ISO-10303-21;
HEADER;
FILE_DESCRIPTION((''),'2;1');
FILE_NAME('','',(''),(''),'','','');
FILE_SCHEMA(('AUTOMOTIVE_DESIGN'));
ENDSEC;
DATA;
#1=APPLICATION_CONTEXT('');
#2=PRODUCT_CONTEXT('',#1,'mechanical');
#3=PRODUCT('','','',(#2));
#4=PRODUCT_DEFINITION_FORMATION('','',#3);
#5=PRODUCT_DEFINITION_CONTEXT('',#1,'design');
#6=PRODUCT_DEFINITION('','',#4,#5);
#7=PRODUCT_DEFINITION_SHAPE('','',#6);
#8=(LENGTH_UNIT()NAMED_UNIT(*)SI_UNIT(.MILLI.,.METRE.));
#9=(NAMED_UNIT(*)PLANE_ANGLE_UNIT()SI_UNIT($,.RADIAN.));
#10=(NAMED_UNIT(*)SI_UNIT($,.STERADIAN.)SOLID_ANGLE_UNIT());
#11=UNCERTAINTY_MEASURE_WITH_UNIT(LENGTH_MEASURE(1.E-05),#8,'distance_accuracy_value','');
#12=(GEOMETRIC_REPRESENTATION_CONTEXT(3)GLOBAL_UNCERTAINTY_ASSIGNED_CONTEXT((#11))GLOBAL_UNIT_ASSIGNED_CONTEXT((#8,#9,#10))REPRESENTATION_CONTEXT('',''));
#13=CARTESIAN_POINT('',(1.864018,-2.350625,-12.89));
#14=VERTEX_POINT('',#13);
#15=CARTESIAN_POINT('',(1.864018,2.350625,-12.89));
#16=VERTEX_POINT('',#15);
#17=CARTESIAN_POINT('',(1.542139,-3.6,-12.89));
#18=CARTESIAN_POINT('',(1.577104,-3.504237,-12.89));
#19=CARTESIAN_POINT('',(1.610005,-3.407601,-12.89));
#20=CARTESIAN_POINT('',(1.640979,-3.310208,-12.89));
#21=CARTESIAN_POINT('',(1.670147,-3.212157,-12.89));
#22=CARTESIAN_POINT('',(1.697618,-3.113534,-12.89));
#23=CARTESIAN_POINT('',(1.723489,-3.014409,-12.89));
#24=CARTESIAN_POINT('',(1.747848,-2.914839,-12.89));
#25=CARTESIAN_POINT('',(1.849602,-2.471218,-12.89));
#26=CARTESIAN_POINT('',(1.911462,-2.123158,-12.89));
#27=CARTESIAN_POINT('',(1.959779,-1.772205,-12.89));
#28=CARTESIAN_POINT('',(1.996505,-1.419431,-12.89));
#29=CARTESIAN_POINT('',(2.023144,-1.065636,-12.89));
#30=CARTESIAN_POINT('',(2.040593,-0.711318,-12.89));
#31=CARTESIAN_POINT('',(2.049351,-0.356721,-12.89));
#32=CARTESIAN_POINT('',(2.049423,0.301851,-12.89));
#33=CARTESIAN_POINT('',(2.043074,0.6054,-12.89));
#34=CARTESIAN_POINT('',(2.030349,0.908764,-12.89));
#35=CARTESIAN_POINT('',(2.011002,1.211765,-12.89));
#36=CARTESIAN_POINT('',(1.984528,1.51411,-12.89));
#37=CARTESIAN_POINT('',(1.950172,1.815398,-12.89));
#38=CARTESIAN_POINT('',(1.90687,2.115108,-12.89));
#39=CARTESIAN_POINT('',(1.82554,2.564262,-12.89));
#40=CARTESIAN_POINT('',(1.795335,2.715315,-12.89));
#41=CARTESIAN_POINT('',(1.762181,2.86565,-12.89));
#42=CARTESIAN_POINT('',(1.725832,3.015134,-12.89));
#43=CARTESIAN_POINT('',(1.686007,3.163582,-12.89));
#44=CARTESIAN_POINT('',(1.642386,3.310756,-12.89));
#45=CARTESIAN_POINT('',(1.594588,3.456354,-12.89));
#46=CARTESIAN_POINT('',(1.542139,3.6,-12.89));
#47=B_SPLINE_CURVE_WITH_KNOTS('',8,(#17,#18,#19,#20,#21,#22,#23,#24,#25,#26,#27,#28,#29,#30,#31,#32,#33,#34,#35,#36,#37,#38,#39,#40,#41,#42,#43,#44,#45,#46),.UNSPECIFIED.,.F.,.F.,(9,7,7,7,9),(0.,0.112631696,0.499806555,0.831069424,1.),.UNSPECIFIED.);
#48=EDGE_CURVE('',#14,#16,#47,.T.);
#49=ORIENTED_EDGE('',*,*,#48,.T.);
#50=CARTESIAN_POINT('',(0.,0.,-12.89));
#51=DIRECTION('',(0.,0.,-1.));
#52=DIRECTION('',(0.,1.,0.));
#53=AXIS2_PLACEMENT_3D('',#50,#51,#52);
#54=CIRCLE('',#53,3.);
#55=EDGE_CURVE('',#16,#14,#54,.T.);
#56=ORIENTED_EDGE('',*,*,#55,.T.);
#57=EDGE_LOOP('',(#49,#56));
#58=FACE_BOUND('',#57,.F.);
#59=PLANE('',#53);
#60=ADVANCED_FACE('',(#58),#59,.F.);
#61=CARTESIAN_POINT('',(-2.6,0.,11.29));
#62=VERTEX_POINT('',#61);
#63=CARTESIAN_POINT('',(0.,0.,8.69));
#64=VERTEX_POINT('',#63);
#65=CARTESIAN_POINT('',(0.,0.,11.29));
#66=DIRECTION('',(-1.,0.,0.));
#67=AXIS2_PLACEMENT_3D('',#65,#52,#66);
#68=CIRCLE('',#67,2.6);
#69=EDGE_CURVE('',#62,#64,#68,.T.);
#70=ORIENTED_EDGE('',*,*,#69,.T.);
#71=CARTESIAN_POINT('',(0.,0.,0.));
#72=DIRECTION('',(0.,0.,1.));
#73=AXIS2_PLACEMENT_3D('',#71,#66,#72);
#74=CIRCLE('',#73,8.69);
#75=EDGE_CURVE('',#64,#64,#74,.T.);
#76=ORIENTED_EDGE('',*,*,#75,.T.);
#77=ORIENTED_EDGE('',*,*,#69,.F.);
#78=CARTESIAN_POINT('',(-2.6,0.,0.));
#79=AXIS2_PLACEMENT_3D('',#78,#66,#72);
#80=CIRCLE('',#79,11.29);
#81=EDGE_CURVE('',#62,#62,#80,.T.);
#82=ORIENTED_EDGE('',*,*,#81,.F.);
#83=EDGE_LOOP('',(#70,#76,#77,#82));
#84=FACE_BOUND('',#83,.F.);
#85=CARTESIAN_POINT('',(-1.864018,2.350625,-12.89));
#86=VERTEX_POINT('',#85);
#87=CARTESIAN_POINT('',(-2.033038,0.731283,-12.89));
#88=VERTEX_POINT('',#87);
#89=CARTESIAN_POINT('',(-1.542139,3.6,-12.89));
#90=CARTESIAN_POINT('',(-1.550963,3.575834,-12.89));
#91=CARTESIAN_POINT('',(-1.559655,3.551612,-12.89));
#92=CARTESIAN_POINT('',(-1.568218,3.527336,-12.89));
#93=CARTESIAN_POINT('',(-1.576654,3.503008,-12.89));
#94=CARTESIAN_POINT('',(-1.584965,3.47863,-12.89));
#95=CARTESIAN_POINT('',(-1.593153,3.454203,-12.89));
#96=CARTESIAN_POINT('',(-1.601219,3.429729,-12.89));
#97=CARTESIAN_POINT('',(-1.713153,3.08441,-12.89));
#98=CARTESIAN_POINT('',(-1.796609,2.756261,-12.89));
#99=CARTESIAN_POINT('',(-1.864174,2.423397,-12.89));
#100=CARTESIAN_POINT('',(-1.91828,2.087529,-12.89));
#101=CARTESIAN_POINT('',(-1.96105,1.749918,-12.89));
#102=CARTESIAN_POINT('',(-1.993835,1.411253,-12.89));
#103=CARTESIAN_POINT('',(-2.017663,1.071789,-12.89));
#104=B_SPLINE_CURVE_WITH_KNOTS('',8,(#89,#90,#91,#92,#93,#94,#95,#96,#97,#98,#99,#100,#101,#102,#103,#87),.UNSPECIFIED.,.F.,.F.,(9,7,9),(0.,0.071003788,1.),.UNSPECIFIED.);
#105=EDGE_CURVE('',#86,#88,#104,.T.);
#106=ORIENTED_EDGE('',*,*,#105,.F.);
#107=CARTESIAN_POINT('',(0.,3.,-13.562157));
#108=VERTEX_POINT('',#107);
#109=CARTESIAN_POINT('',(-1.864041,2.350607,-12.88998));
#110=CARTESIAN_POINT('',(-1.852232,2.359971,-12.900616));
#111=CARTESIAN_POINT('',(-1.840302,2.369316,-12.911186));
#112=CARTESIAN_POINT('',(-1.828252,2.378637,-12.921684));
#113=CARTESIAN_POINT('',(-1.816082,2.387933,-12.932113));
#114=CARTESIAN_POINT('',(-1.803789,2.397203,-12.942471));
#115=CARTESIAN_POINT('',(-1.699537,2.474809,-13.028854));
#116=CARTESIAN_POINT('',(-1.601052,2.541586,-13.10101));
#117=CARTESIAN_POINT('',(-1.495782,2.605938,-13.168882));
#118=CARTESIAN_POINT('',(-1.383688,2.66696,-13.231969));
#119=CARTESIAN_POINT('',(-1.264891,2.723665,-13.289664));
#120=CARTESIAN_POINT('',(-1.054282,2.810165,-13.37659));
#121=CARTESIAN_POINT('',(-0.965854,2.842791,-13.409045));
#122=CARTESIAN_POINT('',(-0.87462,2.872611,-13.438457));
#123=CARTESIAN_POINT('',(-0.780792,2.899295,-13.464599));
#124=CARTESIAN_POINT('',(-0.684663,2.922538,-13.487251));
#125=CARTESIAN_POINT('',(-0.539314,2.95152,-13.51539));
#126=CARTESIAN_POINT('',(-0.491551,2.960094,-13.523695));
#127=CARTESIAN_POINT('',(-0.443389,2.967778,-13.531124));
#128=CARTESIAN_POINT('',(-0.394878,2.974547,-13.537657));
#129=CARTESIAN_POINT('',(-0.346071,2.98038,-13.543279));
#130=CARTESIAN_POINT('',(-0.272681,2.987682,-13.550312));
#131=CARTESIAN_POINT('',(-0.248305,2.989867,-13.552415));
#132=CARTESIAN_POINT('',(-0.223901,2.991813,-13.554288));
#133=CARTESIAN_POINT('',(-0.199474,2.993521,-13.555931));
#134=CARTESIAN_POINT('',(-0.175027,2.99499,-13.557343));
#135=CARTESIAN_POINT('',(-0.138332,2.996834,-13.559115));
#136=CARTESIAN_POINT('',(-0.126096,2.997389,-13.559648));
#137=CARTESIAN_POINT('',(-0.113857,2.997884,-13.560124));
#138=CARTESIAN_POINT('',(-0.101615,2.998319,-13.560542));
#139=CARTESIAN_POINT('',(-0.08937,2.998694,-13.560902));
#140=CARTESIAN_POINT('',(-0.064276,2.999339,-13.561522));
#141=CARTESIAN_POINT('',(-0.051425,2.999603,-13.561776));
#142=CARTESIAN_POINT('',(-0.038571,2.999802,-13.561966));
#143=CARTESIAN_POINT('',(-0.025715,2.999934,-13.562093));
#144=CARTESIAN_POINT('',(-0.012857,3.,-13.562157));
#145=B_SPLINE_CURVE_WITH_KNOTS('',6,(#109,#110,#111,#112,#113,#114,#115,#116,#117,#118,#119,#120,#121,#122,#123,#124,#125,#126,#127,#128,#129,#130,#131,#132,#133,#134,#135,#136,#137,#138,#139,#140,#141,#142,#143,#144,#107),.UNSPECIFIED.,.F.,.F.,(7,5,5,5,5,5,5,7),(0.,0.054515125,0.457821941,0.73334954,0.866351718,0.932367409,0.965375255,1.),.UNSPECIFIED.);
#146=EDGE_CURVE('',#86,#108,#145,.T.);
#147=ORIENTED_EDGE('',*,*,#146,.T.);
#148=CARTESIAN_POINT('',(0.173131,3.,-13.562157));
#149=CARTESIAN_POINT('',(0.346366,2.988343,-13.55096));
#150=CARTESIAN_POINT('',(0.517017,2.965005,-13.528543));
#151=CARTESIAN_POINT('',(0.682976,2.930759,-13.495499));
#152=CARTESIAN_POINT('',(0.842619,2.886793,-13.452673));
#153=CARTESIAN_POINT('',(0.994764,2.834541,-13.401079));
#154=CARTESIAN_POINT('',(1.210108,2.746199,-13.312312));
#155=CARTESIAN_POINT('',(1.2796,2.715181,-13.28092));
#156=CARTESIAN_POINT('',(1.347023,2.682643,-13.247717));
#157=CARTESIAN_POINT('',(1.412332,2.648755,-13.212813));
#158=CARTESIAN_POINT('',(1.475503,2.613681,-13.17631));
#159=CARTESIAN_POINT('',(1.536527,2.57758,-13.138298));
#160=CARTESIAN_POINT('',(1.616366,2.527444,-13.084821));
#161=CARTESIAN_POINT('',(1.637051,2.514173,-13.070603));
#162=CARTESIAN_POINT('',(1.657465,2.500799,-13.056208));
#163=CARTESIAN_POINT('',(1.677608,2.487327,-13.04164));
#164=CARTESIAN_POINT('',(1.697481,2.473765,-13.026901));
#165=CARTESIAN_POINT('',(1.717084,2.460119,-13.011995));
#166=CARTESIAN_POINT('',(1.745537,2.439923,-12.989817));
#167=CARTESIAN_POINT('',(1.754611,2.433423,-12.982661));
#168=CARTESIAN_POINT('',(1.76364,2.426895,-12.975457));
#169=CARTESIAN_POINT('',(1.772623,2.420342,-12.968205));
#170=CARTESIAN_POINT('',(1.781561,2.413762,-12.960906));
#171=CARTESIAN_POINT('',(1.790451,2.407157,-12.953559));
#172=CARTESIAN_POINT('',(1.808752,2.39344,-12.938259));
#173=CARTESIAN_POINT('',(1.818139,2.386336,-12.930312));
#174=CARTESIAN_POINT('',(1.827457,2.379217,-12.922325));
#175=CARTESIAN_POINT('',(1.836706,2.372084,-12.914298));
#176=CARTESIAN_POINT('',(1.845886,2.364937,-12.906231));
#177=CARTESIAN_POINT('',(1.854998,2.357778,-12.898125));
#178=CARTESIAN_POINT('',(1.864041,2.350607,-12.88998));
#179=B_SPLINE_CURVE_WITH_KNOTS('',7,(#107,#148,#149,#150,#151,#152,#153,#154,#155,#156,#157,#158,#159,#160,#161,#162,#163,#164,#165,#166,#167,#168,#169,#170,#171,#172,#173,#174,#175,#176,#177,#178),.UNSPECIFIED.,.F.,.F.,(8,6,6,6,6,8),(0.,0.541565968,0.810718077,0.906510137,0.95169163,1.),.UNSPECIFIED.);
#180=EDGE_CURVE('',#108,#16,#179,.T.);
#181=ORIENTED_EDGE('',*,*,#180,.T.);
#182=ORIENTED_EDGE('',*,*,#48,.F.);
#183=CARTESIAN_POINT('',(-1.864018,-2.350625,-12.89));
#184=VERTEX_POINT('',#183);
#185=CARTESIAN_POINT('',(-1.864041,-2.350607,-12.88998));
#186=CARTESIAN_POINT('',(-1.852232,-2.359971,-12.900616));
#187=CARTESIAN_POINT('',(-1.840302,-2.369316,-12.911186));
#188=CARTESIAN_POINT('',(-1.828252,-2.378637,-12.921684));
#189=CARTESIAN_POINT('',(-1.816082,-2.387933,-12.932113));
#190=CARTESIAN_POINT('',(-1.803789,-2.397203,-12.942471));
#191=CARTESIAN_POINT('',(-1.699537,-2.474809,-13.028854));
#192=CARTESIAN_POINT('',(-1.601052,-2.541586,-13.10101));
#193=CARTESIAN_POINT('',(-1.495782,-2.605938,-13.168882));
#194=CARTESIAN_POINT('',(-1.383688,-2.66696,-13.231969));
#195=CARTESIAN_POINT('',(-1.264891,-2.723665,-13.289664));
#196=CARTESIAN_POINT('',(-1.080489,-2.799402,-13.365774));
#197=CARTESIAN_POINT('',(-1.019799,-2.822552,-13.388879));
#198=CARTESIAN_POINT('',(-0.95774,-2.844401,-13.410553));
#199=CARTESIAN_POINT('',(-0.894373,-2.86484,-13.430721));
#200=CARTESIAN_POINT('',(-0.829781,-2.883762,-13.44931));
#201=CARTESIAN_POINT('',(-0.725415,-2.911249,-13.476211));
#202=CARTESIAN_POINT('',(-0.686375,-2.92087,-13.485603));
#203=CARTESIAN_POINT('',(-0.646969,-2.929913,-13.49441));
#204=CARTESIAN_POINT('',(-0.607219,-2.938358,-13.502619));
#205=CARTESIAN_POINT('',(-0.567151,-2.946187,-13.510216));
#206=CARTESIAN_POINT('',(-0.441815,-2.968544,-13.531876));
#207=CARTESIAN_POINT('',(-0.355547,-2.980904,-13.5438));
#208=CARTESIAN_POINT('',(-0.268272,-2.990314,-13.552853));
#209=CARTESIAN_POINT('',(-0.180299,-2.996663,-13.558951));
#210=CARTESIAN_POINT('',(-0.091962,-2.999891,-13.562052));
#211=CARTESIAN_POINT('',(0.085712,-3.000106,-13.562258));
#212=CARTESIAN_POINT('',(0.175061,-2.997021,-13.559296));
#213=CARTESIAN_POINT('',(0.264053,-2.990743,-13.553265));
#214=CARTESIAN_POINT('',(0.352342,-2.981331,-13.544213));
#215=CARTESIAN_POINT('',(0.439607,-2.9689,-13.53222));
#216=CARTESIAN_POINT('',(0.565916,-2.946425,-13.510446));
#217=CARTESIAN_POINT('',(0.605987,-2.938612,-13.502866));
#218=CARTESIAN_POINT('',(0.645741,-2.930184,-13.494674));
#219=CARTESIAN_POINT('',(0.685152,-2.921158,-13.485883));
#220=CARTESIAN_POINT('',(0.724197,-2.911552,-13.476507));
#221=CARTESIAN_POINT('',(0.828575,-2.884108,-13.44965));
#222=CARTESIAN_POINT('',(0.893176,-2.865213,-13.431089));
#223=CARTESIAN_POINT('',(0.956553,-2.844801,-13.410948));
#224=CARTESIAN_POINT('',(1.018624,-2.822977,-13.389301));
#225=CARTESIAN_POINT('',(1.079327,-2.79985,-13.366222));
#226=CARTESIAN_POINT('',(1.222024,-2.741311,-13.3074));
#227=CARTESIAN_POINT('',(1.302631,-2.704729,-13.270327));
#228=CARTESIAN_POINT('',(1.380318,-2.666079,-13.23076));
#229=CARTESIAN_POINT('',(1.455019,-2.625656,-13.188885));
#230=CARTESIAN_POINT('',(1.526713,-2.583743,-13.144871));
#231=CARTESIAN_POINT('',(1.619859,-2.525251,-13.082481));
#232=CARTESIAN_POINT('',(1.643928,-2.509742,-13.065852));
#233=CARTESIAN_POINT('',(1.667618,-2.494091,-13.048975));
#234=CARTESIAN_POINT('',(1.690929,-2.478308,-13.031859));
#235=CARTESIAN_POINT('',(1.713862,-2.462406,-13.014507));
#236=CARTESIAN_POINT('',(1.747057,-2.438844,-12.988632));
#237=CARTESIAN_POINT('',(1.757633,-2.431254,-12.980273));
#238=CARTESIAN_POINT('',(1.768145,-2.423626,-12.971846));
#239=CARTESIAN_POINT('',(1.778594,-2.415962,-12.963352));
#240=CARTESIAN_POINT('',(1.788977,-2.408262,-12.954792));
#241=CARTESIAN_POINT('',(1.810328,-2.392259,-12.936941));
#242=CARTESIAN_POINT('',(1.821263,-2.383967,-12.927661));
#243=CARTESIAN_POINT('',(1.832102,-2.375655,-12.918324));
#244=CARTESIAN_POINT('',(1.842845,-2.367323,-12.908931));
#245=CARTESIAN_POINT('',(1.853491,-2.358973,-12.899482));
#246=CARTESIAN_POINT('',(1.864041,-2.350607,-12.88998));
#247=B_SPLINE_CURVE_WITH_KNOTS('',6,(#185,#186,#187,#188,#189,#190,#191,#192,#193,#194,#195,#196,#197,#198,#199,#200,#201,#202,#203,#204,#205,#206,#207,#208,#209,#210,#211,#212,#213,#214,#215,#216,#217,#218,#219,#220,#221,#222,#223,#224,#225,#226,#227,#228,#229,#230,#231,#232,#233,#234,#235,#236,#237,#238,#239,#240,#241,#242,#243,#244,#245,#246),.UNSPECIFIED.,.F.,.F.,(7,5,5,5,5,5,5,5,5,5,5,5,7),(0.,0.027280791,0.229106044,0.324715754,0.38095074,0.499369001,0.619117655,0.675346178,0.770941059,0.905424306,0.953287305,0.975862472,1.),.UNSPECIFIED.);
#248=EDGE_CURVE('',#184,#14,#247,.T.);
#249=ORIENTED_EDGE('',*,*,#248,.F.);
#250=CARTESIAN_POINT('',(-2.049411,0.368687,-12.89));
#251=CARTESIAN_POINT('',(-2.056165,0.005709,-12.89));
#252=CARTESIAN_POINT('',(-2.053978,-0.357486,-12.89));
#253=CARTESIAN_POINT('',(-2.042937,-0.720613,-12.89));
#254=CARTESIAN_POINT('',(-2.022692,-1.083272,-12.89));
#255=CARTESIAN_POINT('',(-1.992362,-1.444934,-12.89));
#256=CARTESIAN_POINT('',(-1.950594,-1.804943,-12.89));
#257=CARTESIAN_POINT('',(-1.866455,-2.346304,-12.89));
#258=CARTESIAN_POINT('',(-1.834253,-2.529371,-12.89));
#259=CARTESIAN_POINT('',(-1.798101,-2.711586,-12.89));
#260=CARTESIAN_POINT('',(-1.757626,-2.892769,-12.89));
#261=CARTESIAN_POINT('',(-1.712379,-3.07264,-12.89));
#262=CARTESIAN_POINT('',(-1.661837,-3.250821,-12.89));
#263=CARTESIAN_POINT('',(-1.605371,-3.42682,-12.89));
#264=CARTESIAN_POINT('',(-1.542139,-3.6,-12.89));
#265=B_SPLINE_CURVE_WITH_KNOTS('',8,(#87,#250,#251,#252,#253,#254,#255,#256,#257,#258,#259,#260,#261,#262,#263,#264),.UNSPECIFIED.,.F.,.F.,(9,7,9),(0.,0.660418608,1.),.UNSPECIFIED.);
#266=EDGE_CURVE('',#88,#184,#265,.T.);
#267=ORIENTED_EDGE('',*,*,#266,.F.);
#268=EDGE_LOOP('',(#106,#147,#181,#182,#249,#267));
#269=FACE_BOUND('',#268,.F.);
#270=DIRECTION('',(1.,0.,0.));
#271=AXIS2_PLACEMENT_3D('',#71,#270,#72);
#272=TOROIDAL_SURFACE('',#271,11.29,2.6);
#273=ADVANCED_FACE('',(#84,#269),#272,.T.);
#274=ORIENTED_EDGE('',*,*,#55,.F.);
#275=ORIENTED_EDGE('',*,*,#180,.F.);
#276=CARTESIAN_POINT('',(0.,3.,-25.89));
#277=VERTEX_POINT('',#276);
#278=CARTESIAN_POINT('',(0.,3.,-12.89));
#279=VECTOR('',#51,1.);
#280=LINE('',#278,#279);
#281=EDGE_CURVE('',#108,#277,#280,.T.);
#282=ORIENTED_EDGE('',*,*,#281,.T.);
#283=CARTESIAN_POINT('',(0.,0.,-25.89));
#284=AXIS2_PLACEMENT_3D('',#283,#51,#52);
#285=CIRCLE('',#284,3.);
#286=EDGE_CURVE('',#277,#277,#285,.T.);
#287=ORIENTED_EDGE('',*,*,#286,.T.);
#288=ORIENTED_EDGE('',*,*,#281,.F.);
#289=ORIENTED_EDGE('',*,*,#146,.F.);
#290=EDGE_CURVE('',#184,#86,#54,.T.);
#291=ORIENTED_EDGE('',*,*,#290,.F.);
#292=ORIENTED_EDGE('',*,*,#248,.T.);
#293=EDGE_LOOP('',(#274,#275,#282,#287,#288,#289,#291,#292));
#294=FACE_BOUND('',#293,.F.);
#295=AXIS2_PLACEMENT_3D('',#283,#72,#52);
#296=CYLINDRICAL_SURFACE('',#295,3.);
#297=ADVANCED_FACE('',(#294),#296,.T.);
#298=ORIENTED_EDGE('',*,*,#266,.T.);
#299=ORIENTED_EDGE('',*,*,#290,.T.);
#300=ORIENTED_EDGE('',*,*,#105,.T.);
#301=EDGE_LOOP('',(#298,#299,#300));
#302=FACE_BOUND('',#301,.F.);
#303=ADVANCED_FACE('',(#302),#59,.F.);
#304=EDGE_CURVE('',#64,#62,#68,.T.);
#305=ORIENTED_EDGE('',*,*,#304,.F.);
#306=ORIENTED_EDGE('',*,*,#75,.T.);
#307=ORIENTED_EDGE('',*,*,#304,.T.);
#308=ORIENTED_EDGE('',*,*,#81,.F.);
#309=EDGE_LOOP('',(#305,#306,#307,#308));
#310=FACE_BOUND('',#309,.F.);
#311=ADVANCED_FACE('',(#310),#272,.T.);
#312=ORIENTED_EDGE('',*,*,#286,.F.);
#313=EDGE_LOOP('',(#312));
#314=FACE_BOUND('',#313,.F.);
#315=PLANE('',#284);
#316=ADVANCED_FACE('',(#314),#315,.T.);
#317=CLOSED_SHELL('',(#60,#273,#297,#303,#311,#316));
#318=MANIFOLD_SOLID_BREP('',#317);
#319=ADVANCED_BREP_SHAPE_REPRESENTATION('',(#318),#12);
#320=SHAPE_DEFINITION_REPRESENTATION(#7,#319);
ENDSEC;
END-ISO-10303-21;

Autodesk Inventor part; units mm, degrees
ref_plane "YZ Plane" through (0, 0, 0) normal (1, 0, 0) x (0, 1, 0)
ref_plane "XZ Plane" through (0, 0, 0) normal (0, 1, 0) x (-1, 0, 0)
ref_plane "XY Plane" through (0, 0, 0) normal (0, 0, 1) x (1, 0, 0)
sketch "Sketch1" plane through (0, 0, 0) normal (0, 1, 0) x (-1, 0, 0)
  circle A0 centre (0, 11.29) radius 2.6
  line L0 (0, 11.29) -> (0, 0)
  line L1 (0, 0) -> (10, 0)
  line L2 (0, 0) -> (10, 0) construction
  dimension "d0" = 5.2
  dimension "d1" = 11.29
  dimension "d2" = 10
revolve "Revolution1" add sketch "Sketch1" angle 360 about axis through (0, 0, 0) along (-1, 0, 0)
ref_plane "Work Plane1" through (0, 0, 0) normal (-1, 0, 0) x (0, -1, 0)
sketch "Sketch2" plane through (0, 0, 0) normal (-1, 0, 0) x (0, -1, 0)
  circle A0 centre (0, 0) radius 13.89 projected
  line L0 (0, -13.89) -> (0, -25.89)
  line L1 (0, -25.89) -> (-3, -25.89)
  line L2 (-3, -25.89) -> (-3, -12.89)
  line L3 (-3, -12.89) -> (0, -12.89)
  line L4 (0, -12.89) -> (0, -25.89)
  dimension "d5" = 12
  dimension "d6" = 3
  dimension "d7" = 13
revolve "Revolution2" add sketch "Sketch2" angle 360 about axis through (0, 0, -13.89) along (0, 0, -1) picked at (-1.6696, -13.1747) contours L0 L1 L2 A0 | A0 L2 L3 L4
properties part number "M6GBTeye" material "Stainless Steel"
